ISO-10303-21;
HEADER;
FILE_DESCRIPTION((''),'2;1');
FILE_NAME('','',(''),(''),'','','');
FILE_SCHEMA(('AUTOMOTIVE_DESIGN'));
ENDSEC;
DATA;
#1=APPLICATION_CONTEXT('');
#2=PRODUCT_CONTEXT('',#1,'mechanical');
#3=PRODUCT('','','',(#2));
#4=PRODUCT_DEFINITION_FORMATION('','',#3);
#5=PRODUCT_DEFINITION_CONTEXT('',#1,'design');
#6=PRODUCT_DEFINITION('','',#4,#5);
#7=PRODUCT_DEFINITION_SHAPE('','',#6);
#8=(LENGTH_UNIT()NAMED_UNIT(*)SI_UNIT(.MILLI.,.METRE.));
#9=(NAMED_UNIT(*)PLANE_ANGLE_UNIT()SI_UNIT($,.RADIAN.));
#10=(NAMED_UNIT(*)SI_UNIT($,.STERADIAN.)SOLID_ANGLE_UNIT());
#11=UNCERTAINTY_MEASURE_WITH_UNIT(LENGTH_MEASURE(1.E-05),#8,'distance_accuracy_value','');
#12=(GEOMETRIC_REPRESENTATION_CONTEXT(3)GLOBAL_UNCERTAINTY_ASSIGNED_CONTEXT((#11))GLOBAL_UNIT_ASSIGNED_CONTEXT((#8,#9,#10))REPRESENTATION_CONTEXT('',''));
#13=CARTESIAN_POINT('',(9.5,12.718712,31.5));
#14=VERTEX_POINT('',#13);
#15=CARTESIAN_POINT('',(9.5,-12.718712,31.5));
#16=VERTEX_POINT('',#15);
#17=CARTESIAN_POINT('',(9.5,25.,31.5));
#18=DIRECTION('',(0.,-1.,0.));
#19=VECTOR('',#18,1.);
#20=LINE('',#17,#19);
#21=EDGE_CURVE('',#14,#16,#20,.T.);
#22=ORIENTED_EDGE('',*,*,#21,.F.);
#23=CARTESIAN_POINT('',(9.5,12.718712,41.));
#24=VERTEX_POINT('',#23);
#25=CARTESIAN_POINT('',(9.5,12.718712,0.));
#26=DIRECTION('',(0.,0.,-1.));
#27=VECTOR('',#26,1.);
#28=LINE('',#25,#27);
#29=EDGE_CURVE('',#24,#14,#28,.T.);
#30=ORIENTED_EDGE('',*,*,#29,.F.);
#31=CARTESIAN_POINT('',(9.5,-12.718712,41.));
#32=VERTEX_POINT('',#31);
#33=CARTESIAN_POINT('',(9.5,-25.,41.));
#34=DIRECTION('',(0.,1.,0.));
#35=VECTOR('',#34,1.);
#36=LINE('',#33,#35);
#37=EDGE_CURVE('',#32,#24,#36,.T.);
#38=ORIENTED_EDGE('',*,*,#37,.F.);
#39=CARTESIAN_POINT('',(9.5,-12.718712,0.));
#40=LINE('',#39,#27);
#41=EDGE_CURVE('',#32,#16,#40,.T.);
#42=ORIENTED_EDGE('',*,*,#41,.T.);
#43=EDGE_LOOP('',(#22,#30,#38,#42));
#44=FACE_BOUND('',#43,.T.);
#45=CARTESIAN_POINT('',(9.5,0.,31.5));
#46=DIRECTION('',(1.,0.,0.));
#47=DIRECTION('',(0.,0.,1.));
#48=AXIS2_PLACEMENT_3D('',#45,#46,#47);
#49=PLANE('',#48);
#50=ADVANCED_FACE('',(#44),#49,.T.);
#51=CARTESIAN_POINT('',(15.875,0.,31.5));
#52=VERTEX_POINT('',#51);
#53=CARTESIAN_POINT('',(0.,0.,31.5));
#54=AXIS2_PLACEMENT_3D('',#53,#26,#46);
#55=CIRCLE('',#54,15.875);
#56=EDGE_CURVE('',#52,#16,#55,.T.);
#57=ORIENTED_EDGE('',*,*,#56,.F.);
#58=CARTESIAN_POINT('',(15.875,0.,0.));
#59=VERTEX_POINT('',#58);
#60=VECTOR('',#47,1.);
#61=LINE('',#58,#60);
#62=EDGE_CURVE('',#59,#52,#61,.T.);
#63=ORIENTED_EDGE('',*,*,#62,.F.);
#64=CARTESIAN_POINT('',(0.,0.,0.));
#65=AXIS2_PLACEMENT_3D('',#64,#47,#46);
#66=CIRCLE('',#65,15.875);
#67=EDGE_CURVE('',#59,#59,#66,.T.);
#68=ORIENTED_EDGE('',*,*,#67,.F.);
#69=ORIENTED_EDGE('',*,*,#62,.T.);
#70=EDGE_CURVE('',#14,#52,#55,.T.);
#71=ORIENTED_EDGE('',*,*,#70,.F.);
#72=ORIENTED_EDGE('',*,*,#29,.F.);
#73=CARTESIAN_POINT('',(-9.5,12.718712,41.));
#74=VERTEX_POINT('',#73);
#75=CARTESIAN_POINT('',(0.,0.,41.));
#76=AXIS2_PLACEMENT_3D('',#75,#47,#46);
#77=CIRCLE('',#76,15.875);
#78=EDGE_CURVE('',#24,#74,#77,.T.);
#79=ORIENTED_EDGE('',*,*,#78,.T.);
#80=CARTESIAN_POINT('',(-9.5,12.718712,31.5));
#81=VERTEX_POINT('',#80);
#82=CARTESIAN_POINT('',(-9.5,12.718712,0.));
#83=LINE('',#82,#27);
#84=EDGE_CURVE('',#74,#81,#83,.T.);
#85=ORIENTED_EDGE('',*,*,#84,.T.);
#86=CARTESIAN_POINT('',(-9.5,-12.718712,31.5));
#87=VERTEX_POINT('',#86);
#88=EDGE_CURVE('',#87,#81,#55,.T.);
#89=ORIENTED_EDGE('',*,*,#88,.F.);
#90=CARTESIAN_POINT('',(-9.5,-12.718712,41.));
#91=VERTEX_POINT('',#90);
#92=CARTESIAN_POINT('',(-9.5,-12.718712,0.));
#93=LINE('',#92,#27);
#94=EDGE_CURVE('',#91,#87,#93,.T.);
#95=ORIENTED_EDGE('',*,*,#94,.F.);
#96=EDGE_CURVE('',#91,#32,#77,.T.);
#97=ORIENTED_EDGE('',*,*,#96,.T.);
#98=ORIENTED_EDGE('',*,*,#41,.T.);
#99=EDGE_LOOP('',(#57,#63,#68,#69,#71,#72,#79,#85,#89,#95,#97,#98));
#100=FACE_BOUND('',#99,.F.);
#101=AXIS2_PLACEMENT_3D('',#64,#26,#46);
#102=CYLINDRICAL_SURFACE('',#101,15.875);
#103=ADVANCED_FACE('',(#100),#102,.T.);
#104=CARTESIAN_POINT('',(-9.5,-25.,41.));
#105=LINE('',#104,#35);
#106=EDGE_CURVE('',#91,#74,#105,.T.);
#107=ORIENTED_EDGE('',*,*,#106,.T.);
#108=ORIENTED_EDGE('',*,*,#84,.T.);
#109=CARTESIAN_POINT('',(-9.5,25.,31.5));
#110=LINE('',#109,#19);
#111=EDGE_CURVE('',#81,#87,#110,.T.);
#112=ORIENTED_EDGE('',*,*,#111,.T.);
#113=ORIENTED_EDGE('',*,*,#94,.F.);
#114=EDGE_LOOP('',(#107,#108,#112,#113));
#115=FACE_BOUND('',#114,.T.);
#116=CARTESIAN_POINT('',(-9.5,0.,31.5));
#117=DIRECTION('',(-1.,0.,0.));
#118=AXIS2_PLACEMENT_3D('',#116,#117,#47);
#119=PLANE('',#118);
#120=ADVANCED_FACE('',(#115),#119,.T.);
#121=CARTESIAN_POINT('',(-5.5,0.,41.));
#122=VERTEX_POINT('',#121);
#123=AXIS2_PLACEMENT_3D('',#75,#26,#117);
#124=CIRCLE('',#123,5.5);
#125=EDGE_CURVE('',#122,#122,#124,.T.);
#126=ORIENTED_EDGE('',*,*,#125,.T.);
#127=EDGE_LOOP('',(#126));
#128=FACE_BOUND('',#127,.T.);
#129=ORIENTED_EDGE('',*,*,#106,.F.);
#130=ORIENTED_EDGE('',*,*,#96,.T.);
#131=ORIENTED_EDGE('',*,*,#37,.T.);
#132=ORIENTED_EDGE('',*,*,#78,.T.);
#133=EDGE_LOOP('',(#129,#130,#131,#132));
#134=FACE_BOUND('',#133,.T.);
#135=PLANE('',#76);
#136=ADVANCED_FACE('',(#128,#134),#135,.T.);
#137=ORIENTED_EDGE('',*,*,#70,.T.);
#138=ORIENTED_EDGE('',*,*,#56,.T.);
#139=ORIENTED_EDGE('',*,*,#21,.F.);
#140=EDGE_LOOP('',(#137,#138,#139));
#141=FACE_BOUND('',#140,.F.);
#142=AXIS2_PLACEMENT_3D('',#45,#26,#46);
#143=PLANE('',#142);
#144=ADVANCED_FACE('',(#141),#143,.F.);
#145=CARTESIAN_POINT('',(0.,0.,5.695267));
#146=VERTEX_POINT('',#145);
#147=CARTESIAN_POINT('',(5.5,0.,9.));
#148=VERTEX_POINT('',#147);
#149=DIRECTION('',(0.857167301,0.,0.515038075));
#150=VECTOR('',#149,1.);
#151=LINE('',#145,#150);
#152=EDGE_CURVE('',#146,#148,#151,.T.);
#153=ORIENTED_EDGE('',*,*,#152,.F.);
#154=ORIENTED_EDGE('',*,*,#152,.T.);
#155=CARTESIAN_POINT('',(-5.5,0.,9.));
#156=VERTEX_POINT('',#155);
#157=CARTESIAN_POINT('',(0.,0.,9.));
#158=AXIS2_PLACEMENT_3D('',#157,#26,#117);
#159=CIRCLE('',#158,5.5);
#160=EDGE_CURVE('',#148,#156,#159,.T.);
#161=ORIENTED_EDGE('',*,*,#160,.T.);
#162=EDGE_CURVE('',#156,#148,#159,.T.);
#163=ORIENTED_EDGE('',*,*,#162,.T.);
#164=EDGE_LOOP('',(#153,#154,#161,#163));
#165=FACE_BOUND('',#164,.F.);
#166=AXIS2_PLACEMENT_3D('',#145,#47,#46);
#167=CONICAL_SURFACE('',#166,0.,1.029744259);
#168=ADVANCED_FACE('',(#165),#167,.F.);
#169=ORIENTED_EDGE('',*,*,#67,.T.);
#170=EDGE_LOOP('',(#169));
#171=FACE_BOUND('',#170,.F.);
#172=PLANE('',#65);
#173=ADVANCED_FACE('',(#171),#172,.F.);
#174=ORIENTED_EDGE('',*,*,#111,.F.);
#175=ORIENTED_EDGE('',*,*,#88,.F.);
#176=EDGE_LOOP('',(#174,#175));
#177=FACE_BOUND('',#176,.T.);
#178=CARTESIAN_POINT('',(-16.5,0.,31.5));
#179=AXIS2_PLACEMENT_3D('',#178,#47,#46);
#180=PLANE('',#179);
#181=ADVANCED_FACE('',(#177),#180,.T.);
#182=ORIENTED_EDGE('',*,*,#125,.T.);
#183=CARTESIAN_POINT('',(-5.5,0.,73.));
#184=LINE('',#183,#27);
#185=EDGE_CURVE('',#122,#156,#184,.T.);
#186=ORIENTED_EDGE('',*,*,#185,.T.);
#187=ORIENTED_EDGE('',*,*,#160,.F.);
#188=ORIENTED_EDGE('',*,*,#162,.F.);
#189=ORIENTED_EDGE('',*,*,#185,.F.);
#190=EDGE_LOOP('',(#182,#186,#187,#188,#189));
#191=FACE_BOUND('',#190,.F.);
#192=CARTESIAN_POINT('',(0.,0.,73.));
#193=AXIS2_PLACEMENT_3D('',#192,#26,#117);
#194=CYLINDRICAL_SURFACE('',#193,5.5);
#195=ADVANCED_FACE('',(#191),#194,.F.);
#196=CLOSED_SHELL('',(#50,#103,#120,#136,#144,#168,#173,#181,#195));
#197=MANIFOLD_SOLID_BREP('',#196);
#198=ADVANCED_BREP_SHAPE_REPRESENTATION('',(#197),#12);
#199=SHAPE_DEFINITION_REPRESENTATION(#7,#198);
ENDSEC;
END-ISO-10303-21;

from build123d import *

# Parameters (mm, degrees)
F0_R     = 15.875
F1_DEPTH = 41
F2_W     = 7
F2_H     = 9.5
F3_DEPTH = 25
F5_D     = 11
F5_DEPTH = 32
F5_TIP   = 3.3047334047


with BuildPart() as f1:
    # F0 (on Top) → F1 (new body)
    with BuildSketch(Plane.XY):
        Circle(F0_R)
    extrude(amount=F1_DEPTH)

    # F2 (on Front) → F3 (cut, symmetric)
    with BuildSketch(Plane.XZ):
        with Locations((-13, 36.25)):
            Rectangle(F2_W, F2_H)
        with Locations((13, 36.25)):
            Rectangle(F2_W, F2_H)
    extrude(amount=F3_DEPTH, both=True, mode=Mode.SUBTRACT)

    # F5
    with Locations(Plane.XY.offset(41)):
        with Locations((0, 0)):
            Hole(F5_D / 2, depth=F5_DEPTH)
            with Locations((0, 0, -(F5_DEPTH + F5_TIP / 2))):  # 118° drill point
                Cone(0, F5_D / 2, F5_TIP, mode=Mode.SUBTRACT)


solid = f1.part
